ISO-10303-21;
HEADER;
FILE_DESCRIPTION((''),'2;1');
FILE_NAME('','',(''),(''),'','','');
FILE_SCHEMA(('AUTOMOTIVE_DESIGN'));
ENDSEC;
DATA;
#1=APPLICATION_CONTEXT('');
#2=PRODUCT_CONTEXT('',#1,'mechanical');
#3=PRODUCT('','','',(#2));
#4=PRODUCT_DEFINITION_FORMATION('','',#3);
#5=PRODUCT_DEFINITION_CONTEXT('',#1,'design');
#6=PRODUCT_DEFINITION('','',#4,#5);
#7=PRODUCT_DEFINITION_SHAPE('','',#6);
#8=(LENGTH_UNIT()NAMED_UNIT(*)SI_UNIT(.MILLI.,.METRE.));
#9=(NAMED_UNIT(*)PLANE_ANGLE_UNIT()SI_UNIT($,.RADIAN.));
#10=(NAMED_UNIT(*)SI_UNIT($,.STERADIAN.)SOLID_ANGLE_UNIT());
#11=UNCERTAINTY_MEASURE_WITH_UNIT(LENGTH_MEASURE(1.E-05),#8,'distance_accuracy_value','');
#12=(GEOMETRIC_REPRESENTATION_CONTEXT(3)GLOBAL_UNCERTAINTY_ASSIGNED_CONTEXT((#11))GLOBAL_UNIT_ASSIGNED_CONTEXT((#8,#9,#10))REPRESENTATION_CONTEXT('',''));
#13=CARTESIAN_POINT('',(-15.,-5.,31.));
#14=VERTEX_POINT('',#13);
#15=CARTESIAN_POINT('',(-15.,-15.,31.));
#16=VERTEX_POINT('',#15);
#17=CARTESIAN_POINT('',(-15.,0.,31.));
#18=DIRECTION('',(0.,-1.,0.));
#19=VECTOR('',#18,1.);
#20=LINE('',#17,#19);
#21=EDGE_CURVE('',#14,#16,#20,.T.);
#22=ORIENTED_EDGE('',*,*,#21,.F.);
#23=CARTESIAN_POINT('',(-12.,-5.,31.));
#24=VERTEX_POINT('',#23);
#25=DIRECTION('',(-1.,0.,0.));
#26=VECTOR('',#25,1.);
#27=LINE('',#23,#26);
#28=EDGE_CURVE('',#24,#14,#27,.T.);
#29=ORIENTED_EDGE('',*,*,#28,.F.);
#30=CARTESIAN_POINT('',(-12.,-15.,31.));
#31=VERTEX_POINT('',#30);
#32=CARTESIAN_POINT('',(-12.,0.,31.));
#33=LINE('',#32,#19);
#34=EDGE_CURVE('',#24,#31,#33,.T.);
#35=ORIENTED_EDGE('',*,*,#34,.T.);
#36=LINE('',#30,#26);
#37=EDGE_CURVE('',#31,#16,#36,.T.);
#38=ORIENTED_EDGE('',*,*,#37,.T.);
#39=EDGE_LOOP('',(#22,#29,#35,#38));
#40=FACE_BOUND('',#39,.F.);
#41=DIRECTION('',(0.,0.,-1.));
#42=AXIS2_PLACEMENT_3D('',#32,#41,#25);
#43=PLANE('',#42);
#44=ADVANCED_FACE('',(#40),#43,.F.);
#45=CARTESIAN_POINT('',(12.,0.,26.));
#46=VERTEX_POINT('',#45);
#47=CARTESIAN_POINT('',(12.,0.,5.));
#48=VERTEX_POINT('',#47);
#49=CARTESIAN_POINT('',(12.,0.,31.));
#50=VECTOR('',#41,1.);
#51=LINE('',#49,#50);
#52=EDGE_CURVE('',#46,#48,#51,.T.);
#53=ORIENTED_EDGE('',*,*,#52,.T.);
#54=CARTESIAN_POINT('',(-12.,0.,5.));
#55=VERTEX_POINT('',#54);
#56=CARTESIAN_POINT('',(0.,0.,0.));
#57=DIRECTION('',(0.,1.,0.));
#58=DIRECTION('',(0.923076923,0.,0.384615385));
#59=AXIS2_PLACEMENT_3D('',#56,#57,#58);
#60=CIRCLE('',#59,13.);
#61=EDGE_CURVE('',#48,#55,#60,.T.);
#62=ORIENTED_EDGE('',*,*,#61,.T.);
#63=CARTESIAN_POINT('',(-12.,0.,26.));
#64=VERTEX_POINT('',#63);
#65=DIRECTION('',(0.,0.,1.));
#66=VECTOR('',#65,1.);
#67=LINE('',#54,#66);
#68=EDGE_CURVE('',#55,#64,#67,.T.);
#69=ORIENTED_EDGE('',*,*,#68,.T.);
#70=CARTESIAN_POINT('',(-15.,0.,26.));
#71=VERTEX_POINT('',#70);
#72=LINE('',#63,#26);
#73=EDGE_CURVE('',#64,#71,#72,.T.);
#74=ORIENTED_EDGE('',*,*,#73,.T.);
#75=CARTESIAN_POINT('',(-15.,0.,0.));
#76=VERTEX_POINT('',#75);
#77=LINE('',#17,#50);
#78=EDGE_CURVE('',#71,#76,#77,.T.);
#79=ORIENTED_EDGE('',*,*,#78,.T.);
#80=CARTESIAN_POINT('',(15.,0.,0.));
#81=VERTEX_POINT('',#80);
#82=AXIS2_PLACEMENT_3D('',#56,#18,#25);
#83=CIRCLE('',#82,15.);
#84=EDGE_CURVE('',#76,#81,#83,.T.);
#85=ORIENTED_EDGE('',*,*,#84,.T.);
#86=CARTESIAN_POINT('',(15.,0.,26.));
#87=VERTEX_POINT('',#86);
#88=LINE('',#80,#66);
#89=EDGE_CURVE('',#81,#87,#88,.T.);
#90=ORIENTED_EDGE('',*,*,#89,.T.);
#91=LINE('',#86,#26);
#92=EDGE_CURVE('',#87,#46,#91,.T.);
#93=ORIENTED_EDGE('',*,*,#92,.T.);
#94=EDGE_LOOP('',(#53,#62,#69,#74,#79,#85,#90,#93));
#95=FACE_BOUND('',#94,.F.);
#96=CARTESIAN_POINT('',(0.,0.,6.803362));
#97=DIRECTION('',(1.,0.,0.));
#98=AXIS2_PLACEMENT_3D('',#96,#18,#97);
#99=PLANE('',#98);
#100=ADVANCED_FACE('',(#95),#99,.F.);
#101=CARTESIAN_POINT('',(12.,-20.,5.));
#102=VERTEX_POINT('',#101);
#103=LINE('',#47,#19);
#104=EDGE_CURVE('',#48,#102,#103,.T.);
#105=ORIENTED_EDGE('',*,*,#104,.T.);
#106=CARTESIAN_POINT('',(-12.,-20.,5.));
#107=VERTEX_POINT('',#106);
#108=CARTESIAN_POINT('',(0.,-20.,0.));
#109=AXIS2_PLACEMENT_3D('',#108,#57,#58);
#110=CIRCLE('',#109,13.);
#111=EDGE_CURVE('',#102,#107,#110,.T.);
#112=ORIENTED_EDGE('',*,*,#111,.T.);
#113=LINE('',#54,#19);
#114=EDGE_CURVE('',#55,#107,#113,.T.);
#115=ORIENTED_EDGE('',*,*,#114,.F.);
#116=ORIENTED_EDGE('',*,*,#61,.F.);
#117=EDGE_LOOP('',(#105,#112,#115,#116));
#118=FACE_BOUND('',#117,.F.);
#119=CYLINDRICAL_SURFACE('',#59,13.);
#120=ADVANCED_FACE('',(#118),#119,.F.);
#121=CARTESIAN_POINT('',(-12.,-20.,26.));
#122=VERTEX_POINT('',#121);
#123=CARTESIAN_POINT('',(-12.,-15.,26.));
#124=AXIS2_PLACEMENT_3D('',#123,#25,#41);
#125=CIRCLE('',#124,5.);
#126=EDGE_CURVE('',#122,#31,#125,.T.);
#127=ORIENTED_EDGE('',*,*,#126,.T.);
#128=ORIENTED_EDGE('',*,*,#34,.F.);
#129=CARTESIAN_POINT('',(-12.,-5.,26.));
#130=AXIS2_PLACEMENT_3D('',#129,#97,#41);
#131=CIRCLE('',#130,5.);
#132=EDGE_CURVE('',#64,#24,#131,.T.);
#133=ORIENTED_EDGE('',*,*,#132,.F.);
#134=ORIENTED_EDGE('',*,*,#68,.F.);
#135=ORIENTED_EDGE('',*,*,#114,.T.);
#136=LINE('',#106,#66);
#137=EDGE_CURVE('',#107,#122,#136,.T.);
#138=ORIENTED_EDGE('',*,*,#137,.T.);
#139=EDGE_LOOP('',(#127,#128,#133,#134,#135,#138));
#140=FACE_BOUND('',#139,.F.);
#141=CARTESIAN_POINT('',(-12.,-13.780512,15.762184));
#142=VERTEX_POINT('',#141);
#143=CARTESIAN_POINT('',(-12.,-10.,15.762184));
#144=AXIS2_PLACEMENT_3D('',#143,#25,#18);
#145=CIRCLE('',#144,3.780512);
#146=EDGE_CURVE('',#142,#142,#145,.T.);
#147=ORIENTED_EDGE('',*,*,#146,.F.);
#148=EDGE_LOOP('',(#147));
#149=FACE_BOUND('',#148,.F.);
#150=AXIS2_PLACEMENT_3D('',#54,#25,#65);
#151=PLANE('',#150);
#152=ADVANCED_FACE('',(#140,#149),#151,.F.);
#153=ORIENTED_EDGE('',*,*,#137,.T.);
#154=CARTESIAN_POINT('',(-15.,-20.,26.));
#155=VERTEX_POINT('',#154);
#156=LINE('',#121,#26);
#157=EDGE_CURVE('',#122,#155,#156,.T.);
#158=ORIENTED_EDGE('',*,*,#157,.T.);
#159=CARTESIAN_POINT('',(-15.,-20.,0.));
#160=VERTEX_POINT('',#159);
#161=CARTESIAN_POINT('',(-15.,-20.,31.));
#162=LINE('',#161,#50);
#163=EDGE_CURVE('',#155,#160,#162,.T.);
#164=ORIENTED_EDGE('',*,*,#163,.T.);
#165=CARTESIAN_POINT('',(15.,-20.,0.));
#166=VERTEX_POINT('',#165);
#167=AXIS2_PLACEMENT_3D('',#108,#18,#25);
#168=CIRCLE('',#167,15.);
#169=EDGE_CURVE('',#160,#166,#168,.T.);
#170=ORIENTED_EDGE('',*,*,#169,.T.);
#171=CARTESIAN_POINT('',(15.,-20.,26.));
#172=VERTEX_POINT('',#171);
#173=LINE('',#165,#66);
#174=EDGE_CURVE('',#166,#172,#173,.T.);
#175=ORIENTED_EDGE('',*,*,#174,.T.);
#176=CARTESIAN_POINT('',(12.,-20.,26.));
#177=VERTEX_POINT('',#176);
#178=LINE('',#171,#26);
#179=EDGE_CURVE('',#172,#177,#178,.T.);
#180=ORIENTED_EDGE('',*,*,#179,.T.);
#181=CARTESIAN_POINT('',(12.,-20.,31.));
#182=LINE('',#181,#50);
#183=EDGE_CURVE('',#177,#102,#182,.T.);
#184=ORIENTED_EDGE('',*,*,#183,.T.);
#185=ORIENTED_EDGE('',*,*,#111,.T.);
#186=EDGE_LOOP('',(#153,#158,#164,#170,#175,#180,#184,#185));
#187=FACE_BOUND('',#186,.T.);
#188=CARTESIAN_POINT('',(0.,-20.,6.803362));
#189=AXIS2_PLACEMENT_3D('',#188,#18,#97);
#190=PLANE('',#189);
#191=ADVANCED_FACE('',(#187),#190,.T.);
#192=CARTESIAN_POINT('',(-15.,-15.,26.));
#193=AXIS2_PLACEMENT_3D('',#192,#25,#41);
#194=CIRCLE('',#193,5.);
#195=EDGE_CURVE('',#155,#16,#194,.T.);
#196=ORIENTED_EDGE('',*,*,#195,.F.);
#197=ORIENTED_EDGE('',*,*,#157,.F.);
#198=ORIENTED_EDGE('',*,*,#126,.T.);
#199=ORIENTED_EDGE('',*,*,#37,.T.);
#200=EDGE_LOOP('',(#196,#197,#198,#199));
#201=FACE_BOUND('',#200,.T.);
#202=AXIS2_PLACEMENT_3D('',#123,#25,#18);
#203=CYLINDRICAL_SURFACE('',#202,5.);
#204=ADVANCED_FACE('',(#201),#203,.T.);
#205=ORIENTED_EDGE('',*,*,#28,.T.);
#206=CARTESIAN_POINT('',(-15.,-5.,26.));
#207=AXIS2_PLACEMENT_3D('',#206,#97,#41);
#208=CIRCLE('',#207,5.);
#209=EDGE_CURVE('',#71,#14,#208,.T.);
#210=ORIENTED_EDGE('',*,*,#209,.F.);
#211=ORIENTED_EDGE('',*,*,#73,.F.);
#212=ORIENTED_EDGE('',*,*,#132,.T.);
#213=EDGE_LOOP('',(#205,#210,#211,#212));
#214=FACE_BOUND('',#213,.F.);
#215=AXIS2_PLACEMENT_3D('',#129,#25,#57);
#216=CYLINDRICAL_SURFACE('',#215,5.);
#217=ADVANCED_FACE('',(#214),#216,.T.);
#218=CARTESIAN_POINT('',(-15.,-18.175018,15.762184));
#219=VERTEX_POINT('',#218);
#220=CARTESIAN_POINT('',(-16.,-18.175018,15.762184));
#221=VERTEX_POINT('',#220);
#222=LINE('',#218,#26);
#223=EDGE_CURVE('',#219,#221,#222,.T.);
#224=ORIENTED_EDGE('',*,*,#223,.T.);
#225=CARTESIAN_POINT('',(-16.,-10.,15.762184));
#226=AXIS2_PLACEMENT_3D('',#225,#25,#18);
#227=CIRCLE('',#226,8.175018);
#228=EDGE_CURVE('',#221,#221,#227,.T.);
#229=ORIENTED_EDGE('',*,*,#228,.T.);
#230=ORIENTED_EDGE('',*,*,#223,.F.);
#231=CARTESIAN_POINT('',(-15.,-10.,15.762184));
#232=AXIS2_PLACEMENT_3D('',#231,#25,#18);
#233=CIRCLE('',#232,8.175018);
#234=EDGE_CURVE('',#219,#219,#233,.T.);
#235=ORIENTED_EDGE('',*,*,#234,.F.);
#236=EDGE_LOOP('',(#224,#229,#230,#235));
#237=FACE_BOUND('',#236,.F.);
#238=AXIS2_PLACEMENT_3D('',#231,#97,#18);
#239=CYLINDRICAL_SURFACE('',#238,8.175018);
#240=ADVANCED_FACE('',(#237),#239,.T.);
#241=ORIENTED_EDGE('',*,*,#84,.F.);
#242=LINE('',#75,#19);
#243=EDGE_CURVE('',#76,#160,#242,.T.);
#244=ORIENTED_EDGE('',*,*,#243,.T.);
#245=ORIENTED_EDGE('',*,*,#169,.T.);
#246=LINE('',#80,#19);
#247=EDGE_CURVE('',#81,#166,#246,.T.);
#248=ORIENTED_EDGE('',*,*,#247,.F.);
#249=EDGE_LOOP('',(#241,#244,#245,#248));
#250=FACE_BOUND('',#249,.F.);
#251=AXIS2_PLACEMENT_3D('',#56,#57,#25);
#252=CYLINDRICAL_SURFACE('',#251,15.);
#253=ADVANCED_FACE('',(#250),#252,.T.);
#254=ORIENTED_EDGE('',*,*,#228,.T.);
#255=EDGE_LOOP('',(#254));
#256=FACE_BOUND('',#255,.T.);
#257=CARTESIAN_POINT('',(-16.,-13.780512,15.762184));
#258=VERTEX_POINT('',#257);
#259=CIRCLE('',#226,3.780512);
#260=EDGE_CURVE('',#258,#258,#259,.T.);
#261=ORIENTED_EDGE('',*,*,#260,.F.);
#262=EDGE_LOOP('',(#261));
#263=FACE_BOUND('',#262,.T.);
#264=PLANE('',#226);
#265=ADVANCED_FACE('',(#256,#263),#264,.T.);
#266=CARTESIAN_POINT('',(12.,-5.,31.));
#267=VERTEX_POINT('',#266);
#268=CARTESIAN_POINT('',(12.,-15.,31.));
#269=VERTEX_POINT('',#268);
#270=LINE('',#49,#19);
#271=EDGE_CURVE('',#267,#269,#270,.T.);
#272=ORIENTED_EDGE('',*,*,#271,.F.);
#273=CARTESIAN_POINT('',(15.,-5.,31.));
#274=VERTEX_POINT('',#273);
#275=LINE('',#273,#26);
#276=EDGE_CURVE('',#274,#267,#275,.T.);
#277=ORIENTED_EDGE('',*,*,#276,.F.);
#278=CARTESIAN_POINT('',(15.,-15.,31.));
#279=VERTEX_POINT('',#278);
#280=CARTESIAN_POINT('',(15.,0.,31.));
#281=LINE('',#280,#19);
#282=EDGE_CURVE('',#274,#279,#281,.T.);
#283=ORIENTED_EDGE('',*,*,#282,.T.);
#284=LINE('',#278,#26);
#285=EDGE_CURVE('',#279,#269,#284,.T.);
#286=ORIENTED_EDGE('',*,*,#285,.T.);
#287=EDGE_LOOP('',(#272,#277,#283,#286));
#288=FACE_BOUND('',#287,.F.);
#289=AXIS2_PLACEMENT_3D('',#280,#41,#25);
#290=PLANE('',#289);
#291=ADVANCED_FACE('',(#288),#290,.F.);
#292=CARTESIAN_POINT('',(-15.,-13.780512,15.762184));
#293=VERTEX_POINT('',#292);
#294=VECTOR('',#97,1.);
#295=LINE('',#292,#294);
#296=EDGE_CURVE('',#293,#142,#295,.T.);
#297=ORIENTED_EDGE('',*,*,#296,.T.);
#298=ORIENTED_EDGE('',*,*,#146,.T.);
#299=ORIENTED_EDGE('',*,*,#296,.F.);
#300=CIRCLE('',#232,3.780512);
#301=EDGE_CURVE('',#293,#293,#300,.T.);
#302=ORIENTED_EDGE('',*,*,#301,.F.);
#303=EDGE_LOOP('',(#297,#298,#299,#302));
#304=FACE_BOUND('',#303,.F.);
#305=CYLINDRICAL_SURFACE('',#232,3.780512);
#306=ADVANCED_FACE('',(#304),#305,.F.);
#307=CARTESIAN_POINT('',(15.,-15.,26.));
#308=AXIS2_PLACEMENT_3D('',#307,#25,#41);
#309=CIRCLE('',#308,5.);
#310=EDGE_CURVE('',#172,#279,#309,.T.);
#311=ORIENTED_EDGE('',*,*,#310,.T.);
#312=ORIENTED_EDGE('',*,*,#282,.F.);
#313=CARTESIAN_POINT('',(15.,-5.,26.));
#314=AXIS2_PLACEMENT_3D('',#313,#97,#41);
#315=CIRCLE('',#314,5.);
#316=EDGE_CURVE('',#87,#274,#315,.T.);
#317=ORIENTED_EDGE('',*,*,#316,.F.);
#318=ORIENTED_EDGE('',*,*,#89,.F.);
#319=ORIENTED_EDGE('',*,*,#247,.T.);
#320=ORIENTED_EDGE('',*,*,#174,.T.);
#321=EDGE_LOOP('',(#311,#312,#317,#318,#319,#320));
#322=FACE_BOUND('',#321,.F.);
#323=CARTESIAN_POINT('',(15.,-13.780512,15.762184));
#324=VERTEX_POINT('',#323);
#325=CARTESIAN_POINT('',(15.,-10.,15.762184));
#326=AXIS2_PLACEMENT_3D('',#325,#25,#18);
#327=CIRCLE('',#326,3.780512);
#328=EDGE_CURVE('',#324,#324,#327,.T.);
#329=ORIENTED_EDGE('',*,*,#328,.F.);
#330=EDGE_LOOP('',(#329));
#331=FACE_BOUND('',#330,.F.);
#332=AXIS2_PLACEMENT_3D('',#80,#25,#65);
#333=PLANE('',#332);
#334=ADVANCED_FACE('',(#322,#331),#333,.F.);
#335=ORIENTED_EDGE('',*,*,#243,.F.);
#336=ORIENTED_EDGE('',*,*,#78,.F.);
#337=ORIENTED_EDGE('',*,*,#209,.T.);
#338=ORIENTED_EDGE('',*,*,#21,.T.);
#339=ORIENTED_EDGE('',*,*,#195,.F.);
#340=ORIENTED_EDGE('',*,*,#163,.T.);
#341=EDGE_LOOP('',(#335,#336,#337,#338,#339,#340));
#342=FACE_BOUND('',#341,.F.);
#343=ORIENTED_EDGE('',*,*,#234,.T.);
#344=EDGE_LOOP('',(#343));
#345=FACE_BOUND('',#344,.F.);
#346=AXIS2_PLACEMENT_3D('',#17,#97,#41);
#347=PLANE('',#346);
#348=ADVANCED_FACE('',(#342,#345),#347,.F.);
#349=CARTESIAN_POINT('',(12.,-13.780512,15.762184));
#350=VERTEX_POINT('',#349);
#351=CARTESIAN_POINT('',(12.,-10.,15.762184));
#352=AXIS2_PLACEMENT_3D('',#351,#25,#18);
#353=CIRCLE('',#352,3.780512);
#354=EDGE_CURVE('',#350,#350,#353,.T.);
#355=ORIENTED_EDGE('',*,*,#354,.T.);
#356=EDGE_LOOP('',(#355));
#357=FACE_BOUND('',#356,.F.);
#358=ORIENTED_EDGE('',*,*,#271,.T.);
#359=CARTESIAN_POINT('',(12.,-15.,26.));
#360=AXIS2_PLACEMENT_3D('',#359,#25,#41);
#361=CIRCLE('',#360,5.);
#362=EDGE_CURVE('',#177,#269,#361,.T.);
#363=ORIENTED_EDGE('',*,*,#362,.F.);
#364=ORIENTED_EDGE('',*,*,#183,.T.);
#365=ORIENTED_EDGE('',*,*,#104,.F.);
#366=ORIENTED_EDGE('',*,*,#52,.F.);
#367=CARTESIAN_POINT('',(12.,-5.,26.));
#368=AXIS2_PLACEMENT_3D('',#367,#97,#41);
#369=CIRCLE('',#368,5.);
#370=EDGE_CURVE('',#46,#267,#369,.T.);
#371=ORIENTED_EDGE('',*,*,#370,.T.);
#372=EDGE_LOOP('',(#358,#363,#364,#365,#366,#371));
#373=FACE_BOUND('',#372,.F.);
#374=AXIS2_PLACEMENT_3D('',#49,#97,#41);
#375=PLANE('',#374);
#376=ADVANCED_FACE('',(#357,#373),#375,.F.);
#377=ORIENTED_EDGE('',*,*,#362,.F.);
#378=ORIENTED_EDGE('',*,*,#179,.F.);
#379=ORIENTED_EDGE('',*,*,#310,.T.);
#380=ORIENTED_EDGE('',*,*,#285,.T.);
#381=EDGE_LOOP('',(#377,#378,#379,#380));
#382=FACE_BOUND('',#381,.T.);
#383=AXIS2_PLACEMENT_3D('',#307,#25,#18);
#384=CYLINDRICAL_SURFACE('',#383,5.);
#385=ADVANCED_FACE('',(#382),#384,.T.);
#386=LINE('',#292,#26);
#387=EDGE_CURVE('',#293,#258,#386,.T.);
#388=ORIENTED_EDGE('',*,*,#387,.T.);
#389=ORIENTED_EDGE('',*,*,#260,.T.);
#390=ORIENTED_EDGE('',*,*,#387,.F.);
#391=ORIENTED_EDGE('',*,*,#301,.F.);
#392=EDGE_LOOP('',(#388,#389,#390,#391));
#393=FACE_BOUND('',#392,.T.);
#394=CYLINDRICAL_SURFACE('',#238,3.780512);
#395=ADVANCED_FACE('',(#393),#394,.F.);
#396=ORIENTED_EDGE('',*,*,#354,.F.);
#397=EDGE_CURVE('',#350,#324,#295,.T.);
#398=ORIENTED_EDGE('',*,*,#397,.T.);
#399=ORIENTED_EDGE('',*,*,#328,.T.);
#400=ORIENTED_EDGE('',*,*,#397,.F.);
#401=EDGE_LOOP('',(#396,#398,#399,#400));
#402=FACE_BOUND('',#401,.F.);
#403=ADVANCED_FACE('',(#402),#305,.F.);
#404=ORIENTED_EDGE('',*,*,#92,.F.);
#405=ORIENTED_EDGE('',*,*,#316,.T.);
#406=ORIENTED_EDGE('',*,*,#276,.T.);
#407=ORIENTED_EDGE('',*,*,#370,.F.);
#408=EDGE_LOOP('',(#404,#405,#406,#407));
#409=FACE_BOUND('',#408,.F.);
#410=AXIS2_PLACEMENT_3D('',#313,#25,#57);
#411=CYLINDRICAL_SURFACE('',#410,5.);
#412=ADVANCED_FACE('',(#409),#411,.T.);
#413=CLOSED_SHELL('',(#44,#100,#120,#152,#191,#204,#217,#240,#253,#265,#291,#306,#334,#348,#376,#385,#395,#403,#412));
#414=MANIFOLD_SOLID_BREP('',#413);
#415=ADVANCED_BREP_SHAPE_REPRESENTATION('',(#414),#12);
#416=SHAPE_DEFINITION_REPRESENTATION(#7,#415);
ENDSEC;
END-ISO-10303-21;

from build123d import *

# Parameters (mm, degrees)
F1_DEPTH  = 20
F2_R      = 8.175018
F2_R_2    = 3.780512
F3_DEPTH  = 1
F3_FACE_R = 3.780512
F4_DEPTH  = 47.6
F5_R      = 5


with BuildPart() as f1:
    # F0 (on Front) → F1 (new body)
    with BuildSketch(Plane.XZ):
        with BuildLine():
            ThreePointArc((12, 5), (0, -13), (-12, 5))
            Line((-12, 5), (-12, 31))
            Line((-12, 31), (-15, 31))
            Line((-15, 31), (-15, 0))
            ThreePointArc((-15, 0), (0, -15), (15, 0))
            Line((15, 0), (15, 31))
            Line((15, 31), (12, 31))
            Line((12, 31), (12, 5))
        make_face()
    extrude(amount=F1_DEPTH)

    # F2 (on face) → F3 (join)
    with BuildSketch(Plane(origin=(-15, 0, 0), x_dir=(0, -1, 0), z_dir=(-1, 0, 0))):
        with Locations((10, 15.762184)):
            Circle(F2_R)
        with Locations((10, 15.762184)):
            Circle(F2_R_2, mode=Mode.SUBTRACT)
    extrude(amount=F3_DEPTH)

    # F3_face (on face) → F4 (cut)
    with BuildSketch(Plane(origin=(-15, -10, 15.762184), x_dir=(0, -1, 0), z_dir=(-1, 0, 0))):
        Circle(F3_FACE_R)
    extrude(amount=-F4_DEPTH, mode=Mode.SUBTRACT)

    # F5
    f5_edges = [f1.edges().sort_by_distance(p)[0] for p in [
        (-13.5, -20, 31),
        (-13.5, 0, 31),
        (13.5, -20, 31),
        (13.5, 0, 31),
    ]]
    fillet(f5_edges, radius=F5_R)


solid = f1.part
